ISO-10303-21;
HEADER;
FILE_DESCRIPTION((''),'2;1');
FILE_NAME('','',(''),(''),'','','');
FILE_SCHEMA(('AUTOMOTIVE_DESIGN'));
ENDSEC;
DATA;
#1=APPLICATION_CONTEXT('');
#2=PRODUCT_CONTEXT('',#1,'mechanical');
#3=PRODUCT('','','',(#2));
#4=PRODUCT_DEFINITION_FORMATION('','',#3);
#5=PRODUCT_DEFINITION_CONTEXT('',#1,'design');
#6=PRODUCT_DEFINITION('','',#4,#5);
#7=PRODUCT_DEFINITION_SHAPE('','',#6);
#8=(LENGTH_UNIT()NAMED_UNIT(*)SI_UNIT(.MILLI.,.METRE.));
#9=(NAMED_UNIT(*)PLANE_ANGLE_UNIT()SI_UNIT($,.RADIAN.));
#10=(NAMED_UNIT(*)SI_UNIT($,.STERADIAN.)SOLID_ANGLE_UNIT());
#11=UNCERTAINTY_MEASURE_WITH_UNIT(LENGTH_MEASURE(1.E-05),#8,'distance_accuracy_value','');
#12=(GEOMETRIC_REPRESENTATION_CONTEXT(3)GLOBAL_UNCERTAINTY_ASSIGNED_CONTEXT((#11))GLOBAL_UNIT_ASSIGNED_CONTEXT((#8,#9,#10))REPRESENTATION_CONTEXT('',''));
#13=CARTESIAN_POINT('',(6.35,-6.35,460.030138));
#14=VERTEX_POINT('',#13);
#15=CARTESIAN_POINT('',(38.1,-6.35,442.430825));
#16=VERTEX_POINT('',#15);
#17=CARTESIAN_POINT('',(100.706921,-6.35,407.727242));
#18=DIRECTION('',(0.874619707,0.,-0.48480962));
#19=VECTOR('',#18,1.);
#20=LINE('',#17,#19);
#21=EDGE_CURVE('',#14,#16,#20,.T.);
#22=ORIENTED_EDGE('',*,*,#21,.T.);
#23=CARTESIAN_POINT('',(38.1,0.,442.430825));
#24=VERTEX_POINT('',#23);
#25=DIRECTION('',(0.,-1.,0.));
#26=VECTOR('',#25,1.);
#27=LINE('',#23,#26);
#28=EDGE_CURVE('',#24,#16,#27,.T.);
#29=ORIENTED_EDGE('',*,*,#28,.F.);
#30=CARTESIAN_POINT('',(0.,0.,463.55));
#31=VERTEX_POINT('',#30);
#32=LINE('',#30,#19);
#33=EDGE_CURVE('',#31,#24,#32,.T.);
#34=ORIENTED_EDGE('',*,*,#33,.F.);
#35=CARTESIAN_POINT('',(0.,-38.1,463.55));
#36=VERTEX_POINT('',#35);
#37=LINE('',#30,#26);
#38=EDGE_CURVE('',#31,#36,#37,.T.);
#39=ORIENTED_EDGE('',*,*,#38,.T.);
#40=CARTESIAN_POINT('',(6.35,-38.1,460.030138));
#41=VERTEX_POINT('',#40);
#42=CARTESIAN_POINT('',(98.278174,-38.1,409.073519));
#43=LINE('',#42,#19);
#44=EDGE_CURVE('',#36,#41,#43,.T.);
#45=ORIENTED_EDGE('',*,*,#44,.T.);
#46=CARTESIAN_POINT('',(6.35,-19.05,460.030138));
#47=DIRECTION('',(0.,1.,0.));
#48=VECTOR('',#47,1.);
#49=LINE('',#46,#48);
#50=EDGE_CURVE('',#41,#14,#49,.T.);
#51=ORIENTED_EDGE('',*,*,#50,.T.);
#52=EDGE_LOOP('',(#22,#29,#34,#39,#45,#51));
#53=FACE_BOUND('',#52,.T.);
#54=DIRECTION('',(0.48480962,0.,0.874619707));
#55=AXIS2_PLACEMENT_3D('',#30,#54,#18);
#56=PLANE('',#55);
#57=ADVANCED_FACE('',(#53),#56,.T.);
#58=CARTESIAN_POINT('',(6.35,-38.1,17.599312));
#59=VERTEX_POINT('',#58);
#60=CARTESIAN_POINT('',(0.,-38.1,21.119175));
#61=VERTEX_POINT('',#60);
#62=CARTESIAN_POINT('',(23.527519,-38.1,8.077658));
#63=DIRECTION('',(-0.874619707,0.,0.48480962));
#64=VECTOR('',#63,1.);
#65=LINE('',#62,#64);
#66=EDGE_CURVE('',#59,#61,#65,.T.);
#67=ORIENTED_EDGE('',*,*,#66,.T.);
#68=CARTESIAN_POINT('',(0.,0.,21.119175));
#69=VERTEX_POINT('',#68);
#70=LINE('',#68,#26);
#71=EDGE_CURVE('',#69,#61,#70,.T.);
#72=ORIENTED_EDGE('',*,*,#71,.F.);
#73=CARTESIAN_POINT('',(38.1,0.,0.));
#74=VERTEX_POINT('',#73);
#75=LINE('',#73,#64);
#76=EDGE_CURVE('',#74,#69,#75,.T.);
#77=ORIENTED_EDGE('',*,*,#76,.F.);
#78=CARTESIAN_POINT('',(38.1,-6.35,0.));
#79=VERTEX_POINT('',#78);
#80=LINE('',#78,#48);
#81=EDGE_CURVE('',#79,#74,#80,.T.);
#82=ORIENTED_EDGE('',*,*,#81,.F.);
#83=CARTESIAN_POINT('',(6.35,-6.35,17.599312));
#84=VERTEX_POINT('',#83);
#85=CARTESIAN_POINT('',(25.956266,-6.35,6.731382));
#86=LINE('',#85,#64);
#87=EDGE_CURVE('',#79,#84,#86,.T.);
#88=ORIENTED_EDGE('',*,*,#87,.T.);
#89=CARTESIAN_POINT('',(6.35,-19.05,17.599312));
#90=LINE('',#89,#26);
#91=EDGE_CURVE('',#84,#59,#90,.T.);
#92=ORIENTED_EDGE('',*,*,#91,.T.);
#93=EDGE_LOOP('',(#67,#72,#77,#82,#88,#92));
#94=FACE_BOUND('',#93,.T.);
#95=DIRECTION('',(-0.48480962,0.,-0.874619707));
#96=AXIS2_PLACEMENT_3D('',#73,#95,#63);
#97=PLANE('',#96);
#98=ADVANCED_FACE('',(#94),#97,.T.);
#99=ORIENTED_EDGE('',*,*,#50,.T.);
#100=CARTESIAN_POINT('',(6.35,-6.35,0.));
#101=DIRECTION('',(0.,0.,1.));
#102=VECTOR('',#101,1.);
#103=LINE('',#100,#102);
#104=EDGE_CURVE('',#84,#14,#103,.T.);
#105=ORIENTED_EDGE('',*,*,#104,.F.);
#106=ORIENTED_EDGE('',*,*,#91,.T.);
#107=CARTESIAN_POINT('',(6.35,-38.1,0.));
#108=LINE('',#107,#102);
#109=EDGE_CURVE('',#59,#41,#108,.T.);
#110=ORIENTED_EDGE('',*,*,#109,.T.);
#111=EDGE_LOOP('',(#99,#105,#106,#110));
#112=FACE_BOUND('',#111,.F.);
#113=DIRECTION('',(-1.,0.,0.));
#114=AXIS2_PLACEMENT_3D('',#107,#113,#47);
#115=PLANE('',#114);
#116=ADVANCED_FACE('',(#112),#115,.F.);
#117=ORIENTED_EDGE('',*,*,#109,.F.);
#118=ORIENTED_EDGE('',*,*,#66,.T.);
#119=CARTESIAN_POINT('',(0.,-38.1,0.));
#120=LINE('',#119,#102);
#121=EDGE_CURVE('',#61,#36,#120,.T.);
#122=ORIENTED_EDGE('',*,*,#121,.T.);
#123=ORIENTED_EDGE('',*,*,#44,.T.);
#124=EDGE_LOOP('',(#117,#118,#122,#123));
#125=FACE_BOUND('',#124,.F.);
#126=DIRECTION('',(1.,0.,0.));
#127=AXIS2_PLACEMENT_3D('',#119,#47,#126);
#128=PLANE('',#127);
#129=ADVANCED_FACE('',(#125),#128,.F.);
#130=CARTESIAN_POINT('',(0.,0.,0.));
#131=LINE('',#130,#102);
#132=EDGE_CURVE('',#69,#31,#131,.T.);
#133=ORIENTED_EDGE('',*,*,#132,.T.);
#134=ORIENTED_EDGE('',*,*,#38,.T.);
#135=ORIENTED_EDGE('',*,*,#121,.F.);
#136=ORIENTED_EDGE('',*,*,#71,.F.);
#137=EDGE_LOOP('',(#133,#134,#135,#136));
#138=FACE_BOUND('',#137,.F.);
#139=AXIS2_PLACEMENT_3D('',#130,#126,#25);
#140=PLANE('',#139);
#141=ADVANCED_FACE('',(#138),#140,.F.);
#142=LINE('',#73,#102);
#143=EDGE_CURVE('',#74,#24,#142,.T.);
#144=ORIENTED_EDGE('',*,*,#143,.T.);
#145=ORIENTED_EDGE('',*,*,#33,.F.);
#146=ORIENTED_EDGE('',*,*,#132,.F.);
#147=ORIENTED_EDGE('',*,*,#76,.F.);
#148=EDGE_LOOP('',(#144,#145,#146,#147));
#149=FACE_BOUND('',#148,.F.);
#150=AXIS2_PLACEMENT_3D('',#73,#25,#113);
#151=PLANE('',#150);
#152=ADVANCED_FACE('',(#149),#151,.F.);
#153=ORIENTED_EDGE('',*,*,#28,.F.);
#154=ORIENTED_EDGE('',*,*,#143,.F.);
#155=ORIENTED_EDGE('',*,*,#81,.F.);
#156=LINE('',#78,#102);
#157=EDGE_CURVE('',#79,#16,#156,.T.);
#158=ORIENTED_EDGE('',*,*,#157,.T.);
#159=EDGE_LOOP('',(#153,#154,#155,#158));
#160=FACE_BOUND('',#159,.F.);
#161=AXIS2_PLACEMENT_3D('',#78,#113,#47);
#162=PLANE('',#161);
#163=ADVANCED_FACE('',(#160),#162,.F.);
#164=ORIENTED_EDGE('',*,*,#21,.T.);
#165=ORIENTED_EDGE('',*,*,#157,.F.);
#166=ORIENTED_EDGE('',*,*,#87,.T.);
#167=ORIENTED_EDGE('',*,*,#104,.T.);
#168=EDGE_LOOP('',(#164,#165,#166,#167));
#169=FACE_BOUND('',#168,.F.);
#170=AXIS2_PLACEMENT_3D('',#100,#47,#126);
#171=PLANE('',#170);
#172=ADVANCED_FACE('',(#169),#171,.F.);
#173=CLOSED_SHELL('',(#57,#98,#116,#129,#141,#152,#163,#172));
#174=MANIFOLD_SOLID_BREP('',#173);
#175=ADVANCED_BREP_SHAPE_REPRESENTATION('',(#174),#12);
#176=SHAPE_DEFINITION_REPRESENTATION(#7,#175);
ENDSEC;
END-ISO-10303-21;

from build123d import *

# Parameters (mm, degrees)
OAL_ANGLE_DEPTH     = 463.55
ANGLE_CUTOURT_DEPTH = 39.1


with BuildPart() as part:
    # Sketch1 → OAL Angle (new body)
    with BuildSketch(Plane.XY):
        Polygon((0, 0), (0, -38.1), (6.35, -38.1), (6.35, -6.35), (38.1, -6.35), (38.1, 0), align=None)
    extrude(amount=OAL_ANGLE_DEPTH)

    # Sketch2 → Angle Cutourt (cut, through all)
    with BuildSketch(Plane(origin=(0, 0, 0), x_dir=(1, 0, 0), z_dir=(0, 1, 0))):
        Polygon((0, 0), (38.1, 0), (0, -21.11917486), align=None)
        Polygon((38.1, -463.55), (0, -463.55), (38.1, -442.43082514), align=None)
    extrude(amount=-ANGLE_CUTOURT_DEPTH, mode=Mode.SUBTRACT)


solid = part.part
